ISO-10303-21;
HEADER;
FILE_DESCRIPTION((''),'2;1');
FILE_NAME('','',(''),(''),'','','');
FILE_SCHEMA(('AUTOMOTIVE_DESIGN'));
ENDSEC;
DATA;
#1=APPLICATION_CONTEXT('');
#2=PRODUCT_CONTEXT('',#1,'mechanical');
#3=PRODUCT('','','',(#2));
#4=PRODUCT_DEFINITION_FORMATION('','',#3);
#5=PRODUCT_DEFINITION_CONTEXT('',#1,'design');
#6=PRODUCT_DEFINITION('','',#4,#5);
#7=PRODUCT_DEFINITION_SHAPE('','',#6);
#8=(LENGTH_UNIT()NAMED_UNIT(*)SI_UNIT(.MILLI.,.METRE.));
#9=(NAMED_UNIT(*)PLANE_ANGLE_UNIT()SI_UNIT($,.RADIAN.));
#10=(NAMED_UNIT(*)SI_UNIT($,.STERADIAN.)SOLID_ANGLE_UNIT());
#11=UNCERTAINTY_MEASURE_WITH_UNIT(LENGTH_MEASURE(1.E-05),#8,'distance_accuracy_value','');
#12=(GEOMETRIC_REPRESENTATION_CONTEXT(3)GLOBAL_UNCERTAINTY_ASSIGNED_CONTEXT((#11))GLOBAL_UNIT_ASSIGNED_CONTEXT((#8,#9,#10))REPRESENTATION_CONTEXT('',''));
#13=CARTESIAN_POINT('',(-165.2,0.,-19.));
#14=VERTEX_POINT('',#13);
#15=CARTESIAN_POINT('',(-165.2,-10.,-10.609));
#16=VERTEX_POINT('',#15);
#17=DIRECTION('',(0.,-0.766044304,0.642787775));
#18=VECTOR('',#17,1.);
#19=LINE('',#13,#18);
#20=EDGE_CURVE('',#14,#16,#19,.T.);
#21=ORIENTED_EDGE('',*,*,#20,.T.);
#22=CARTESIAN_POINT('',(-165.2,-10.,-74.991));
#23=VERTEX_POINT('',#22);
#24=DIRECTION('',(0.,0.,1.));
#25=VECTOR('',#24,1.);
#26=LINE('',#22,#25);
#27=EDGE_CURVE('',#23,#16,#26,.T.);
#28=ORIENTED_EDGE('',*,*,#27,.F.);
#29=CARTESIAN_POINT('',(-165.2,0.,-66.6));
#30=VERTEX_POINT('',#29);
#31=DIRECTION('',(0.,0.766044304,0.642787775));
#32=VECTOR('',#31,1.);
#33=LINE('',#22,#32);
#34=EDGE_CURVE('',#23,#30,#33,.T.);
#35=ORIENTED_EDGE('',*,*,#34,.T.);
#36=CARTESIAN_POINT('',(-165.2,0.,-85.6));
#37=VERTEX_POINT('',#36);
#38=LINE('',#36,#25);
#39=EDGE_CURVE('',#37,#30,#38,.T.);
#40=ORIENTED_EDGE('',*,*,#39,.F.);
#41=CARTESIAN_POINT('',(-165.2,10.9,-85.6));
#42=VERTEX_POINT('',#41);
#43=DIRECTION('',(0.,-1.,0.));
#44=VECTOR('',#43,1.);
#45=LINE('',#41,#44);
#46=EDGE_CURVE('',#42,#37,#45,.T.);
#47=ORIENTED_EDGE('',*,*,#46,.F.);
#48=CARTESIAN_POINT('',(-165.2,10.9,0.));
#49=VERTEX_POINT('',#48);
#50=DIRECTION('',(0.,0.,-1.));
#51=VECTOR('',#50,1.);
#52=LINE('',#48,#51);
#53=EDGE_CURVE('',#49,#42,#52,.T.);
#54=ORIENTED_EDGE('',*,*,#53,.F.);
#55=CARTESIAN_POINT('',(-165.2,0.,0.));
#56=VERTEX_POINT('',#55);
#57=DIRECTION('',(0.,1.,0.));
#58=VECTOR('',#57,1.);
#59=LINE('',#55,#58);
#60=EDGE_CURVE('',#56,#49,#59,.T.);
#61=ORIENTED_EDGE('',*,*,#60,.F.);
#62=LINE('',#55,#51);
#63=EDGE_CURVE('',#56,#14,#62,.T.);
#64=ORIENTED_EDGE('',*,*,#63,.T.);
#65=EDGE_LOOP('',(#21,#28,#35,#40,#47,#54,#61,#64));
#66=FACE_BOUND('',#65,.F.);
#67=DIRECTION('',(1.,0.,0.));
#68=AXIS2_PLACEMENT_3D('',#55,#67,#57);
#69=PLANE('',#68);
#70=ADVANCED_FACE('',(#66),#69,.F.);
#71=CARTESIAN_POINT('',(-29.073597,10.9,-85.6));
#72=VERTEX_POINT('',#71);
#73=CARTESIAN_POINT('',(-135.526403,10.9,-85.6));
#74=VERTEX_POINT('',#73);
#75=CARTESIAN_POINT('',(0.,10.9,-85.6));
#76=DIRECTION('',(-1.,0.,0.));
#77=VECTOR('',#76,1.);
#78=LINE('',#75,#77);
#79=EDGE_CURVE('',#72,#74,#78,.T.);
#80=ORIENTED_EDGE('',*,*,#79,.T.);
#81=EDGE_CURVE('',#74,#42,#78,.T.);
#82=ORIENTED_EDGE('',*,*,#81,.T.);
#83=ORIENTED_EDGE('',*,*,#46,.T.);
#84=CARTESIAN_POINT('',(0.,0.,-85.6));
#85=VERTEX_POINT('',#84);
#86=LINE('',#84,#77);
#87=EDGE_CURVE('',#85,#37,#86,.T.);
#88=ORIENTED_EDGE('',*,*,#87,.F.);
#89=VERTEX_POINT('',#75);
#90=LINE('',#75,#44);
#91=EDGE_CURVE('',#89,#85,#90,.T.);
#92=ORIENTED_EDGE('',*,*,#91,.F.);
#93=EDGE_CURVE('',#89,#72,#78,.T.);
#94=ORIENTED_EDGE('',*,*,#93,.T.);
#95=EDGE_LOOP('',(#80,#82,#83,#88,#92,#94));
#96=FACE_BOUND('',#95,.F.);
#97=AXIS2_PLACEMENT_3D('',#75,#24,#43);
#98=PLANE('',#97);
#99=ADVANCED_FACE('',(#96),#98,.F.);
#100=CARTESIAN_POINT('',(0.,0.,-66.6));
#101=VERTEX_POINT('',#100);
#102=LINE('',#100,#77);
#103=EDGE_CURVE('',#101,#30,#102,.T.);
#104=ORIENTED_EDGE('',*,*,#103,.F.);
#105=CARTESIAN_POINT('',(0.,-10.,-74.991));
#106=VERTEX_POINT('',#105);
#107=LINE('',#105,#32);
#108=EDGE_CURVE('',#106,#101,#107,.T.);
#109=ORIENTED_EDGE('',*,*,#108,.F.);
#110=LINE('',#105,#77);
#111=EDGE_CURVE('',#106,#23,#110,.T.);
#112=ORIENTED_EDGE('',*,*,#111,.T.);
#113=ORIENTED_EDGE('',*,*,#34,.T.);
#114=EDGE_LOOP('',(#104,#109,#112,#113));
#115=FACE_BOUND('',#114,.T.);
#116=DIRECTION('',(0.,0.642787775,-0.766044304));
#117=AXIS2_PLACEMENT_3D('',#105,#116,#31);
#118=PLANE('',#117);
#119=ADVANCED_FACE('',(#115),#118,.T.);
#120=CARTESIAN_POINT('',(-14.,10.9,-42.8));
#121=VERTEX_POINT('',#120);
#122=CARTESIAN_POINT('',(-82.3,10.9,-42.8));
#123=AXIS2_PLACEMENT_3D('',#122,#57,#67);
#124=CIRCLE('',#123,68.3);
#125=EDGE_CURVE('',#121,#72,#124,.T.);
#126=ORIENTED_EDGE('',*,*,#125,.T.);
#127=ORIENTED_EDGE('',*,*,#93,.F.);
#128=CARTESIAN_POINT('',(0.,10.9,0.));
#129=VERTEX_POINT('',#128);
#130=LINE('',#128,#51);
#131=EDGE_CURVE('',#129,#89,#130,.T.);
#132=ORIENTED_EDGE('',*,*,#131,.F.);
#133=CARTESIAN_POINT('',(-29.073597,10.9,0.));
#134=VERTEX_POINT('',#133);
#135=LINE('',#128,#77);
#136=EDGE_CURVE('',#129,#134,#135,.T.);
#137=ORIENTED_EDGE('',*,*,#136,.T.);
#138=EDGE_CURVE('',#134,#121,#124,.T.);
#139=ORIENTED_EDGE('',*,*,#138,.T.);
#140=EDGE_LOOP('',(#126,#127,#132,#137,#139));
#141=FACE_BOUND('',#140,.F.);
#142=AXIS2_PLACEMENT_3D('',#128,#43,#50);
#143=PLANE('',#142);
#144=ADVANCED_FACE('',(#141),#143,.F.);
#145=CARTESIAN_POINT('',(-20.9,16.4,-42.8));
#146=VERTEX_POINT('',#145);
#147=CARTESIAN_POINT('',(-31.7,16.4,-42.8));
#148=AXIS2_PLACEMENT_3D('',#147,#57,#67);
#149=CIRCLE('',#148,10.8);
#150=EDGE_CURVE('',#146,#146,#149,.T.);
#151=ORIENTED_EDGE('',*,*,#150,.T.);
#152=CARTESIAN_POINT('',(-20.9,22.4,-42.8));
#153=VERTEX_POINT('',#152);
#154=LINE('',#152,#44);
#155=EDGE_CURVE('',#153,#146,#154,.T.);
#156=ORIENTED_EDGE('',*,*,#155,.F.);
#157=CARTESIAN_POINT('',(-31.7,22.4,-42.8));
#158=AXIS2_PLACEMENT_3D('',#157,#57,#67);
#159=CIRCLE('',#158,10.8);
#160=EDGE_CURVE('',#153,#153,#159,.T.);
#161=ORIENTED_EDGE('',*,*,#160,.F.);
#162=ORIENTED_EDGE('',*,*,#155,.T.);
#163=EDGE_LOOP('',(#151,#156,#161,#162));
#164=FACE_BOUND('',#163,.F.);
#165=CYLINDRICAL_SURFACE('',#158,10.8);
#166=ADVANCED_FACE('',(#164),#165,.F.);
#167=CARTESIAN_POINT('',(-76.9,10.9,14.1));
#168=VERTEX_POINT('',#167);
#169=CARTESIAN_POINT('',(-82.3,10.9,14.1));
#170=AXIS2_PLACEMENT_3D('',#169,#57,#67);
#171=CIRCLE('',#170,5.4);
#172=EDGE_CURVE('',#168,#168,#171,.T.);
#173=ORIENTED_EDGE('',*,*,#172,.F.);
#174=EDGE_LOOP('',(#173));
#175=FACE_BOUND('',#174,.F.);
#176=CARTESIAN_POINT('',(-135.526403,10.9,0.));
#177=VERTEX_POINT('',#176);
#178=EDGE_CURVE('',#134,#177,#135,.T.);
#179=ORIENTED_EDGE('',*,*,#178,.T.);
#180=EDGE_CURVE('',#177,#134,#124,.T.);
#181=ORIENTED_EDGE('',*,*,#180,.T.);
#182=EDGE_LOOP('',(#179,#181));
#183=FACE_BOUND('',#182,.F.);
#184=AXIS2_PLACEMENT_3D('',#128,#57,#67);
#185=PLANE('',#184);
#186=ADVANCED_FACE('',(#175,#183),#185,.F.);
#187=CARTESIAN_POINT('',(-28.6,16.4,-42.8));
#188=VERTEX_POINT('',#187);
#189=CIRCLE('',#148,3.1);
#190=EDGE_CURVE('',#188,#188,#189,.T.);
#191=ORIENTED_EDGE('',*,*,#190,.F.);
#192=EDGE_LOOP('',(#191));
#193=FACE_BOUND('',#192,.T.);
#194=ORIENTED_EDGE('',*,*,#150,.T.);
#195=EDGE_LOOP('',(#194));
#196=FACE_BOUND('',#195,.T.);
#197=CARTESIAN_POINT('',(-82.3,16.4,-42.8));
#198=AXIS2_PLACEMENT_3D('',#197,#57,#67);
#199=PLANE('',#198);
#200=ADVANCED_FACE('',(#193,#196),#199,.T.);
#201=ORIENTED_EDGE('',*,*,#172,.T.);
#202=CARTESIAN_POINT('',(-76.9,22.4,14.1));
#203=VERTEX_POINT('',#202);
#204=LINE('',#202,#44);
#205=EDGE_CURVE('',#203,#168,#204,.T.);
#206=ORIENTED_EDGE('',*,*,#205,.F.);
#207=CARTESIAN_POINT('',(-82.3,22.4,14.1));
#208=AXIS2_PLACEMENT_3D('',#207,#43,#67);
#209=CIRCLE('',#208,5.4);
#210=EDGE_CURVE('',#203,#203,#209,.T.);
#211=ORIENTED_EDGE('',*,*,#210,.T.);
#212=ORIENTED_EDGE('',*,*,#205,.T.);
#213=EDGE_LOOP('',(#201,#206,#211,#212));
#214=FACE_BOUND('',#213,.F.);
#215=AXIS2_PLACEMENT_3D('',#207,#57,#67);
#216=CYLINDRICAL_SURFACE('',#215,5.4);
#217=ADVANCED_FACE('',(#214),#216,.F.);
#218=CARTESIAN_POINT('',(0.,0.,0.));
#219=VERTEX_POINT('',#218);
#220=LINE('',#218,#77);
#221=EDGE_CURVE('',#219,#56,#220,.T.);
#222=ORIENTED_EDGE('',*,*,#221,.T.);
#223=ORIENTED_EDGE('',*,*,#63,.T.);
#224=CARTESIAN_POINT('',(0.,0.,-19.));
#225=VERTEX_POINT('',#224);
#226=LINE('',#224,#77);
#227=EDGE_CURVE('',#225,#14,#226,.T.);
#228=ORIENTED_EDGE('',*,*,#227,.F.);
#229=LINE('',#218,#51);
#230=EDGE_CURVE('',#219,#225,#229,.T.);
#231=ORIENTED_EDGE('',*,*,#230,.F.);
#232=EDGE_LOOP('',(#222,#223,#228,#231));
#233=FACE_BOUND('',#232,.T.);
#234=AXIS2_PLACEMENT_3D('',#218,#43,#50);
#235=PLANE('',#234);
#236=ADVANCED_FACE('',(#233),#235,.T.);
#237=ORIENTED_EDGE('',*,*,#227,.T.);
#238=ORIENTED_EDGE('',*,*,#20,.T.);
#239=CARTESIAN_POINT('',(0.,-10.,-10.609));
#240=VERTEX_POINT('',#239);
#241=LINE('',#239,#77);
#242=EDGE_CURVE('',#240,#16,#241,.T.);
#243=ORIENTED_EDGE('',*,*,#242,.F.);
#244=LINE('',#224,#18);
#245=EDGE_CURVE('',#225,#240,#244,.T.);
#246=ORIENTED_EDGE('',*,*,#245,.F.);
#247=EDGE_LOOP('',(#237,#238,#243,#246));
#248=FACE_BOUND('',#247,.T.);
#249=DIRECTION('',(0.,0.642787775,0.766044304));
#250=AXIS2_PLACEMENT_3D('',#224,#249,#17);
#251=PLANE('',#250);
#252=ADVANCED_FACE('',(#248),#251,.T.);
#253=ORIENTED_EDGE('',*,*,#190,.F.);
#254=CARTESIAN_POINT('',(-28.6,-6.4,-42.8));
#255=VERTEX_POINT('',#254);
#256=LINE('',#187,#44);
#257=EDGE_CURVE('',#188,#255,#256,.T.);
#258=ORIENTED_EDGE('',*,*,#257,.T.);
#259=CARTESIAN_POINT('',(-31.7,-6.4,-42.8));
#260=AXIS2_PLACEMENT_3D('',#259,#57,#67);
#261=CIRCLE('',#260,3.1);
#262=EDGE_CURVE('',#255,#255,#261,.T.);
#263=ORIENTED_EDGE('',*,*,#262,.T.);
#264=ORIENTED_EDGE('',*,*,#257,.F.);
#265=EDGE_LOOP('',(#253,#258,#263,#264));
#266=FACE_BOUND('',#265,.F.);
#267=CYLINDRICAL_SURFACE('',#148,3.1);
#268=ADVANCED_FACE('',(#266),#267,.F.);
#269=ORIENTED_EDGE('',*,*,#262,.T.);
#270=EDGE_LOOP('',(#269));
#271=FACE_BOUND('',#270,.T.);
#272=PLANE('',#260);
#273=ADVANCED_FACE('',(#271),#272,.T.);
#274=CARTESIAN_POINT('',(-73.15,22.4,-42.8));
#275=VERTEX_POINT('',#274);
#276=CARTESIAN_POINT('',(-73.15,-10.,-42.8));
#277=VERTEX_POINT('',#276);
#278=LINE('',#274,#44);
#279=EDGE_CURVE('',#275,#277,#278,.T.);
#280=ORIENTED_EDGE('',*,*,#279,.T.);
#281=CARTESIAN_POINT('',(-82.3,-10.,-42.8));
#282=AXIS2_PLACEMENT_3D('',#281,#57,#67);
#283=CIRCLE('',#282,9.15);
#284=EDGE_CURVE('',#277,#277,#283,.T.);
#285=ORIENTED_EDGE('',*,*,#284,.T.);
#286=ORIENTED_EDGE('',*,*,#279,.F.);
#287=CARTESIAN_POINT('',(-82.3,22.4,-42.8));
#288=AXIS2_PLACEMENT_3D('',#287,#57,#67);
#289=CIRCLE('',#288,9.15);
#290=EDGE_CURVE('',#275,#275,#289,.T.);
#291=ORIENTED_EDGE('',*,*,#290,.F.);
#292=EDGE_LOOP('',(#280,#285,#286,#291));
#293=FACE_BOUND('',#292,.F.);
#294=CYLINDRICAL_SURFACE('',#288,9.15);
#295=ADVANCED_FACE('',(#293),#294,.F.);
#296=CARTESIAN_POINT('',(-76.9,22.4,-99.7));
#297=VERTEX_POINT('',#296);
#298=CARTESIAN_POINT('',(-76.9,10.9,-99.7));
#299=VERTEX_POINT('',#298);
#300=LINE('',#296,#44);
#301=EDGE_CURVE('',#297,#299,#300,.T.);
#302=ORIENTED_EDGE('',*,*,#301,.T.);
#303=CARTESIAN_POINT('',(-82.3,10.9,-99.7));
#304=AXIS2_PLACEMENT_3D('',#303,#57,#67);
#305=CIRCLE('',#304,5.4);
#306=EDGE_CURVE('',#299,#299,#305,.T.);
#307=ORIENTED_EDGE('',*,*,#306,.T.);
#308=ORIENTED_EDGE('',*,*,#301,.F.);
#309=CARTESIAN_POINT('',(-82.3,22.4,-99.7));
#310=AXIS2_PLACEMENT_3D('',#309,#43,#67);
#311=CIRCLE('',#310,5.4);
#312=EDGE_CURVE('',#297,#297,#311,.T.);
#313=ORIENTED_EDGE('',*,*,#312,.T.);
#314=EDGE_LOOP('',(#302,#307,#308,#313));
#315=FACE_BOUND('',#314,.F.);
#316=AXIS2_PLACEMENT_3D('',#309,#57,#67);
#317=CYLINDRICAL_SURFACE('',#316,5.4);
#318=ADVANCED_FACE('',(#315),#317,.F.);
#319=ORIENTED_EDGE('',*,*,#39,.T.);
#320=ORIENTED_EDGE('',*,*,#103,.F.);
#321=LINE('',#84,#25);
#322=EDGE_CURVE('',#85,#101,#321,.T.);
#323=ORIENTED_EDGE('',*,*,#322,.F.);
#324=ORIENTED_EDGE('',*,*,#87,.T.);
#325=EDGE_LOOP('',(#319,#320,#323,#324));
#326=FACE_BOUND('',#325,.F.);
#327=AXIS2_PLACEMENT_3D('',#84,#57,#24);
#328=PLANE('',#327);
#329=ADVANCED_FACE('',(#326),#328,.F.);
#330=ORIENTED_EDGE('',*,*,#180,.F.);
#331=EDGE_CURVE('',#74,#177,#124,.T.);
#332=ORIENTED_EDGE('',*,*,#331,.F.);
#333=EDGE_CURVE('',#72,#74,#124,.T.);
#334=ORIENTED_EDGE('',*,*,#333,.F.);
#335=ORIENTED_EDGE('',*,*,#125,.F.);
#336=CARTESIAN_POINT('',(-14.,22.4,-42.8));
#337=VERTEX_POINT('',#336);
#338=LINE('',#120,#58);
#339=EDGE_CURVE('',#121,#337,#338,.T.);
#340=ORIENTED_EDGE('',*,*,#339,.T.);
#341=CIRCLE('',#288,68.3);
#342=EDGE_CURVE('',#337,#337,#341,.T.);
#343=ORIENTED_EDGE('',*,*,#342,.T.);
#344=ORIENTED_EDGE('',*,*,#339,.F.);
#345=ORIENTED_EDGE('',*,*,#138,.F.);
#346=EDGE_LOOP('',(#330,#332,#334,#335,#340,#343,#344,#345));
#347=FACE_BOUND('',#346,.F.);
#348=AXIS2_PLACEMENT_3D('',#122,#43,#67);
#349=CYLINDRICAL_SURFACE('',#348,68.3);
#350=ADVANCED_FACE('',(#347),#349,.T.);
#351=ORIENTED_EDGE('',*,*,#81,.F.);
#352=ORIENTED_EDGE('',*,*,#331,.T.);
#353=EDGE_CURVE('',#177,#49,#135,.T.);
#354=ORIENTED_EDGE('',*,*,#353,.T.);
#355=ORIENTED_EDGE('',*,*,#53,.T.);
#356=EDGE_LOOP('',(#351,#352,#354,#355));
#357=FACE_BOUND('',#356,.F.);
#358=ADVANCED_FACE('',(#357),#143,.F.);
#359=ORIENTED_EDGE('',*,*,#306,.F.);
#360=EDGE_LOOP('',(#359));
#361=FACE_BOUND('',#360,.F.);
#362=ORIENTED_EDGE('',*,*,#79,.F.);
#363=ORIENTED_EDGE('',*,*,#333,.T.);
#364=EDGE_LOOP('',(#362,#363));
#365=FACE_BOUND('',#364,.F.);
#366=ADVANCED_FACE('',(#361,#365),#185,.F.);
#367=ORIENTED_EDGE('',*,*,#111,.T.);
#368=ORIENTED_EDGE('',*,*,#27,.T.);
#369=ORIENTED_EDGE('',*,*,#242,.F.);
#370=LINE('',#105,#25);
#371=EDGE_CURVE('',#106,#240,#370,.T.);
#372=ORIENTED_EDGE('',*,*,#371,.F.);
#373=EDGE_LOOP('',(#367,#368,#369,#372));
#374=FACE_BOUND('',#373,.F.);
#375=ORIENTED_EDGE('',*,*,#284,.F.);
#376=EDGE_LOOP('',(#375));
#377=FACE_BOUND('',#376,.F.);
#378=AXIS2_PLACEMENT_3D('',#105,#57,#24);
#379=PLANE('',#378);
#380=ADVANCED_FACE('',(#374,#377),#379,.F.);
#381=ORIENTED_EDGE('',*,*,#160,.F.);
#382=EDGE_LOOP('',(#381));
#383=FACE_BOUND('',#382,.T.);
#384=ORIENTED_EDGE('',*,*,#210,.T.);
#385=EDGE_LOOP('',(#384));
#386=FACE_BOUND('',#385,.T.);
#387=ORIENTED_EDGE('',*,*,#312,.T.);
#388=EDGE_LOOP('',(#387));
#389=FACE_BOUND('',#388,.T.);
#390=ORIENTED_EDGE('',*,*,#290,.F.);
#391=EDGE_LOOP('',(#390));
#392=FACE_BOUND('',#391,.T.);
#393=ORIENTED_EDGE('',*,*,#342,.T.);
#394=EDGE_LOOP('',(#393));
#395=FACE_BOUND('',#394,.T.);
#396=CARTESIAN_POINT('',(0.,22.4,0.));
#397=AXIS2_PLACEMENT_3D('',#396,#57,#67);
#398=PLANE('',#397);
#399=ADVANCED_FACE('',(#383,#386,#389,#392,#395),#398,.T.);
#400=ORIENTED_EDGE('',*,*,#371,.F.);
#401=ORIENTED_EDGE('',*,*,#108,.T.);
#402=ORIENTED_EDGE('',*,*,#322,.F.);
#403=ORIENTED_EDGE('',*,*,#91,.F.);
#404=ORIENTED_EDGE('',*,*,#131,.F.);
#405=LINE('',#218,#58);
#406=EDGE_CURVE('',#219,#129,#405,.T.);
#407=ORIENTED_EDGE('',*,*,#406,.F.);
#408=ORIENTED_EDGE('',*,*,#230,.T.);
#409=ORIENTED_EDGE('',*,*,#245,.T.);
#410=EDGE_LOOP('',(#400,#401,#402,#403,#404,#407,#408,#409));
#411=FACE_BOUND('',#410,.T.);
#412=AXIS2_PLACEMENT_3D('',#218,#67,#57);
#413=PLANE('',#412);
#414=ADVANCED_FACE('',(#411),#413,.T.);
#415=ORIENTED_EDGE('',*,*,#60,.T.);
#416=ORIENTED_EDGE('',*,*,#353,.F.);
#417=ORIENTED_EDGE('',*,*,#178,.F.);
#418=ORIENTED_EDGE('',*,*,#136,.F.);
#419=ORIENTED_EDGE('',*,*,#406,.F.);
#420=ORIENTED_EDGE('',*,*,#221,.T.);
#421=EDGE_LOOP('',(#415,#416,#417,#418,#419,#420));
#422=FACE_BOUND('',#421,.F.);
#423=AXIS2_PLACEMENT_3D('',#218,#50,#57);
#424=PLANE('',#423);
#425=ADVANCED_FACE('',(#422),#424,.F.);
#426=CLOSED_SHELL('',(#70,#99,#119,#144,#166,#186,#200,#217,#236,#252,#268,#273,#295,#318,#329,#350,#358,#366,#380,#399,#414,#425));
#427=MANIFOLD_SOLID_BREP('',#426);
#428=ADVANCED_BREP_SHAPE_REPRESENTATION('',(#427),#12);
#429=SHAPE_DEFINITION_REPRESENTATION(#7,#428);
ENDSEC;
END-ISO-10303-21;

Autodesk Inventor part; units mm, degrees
ref_plane "YZ Plane" through (0, 0, 0) normal (1, 0, 0) x (0, 1, 0)
ref_plane "XZ Plane" through (0, 0, 0) normal (0, 1, 0) x (-1, 0, 0)
ref_plane "XY Plane" through (0, 0, 0) normal (0, 0, 1) x (1, 0, 0)
sketch "Sketch1" plane through (0, 0, 0) normal (1, 0, 0) x (0, 1, 0)
  line L0 (0, 0) -> (10.9, 0)
  line L1 (10.9, 0) -> (10.9, -85.6)
  line L2 (10.9, -85.6) -> (0, -85.6)
  line L3 (0, -85.6) -> (0, -66.6)
  line L4 (-10, -74.991) -> (-10, -10.609)
  line L5 (-10, -74.991) -> (0, -66.6)
  line L6 (0, 0) -> (0, -19)
  line L7 (0, -19) -> (-10, -10.609)
  line L8 (0, -66.6) -> (0, -19)
  line L9 (0, -42.8) -> (-10, -42.8) construction
  dimension "d1" = 85.6
  dimension "d7" = 19
  dimension "d30" = 50
  dimension "d31" = 19
  dimension "d32" = 50
  dimension "d33" = 10
extrude "Extrusion1" add sketch "Sketch1" against normal blind 165.2
sketch "Sketch3" plane through (0, 10.9, 0) normal (0, 1, 0) x (1, 0, 0)
  line L0 (0, 0) -> (0, 85.6) projected
  line L1 (0, 42.8) -> (-14, 42.8)
  line L2 (-14, 42.8) -> (-82.3, 42.8)
  circle A0 centre (-82.3, 42.8) radius 68.3
  dimension "d10" = 14
  dimension "d11" = 68.3
extrude "Extrusion2" add sketch "Sketch3" along normal blind 11.5
sketch "Sketch4" plane through (-82.3, 22.4, -42.8) normal (0, 1, 0) x (1, 0, 0)
  circle A0 centre (0, 0) radius 9.15
  point P0 (82.3, -42.8)
  dimension "d14" = 18.3
extrude "Extrusion3" cut sketch "Sketch4" against normal blind 73.75
sketch "Sketch5" plane through (-82.3, 22.4, -42.8) normal (0, 1, 0) x (1, 0, 0)
  circle A0 centre (0, 0) radius 68.3 projected
  line L0 (0, 68.3) -> (0, 62.3)
  line L1 (0, -68.3) -> (0, -62.3)
  line L2 (0, 62.3) -> (0, 56.9)
  circle A1 centre (0, 56.9) radius 5.4
  line L3 (0, -62.3) -> (0, -56.9)
  line L4 (82.3, -32.191) -> (-82.9, -32.191) projected
  circle A2 centre (0, -56.9) radius 5.4
  point P0 (82.3, -42.8)
  dimension "d17" = 6
  dimension "d18" = 6
  dimension "d19" = 5.4
  dimension "d20" = 5.4
extrude "Extrusion4" cut sketch "Sketch5" against normal blind 73.75 contours A1 | A2
sketch "Sketch7" plane through (-82.3, 22.4, -42.8) normal (0, 1, 0) x (1, 0, 0)
  circle A0 centre (0, 0) radius 68.3 projected
  line L0 (68.3, 0) -> (61.4, 0)
  line L1 (61.4, 0) -> (50.6, 0)
  circle A1 centre (50.6, 0) radius 10.8
  point P0 (82.3, -42.8)
  dimension "d23" = 6.9
  dimension "d24" = 10.8
extrude "Extrusion5" cut sketch "Sketch7" against normal blind 6 contours A1
sketch "Sketch8" plane through (-31.7, 16.4, -42.8) normal (0, 1, 0) x (1, 0, 0)
  circle A0 centre (0, 0) radius 3.1
  point P0 (31.7, -42.8)
  dimension "d27" = 6.2
extrude "Extrusion6" cut sketch "Sketch8" against normal blind 22.8
ref_plane "Work Plane1" through (0, 0, -42.8) normal (0, 0, -1) x (-1, 0, 0)
properties part number "Top Part Tool bit" material "Steel, Cast"
